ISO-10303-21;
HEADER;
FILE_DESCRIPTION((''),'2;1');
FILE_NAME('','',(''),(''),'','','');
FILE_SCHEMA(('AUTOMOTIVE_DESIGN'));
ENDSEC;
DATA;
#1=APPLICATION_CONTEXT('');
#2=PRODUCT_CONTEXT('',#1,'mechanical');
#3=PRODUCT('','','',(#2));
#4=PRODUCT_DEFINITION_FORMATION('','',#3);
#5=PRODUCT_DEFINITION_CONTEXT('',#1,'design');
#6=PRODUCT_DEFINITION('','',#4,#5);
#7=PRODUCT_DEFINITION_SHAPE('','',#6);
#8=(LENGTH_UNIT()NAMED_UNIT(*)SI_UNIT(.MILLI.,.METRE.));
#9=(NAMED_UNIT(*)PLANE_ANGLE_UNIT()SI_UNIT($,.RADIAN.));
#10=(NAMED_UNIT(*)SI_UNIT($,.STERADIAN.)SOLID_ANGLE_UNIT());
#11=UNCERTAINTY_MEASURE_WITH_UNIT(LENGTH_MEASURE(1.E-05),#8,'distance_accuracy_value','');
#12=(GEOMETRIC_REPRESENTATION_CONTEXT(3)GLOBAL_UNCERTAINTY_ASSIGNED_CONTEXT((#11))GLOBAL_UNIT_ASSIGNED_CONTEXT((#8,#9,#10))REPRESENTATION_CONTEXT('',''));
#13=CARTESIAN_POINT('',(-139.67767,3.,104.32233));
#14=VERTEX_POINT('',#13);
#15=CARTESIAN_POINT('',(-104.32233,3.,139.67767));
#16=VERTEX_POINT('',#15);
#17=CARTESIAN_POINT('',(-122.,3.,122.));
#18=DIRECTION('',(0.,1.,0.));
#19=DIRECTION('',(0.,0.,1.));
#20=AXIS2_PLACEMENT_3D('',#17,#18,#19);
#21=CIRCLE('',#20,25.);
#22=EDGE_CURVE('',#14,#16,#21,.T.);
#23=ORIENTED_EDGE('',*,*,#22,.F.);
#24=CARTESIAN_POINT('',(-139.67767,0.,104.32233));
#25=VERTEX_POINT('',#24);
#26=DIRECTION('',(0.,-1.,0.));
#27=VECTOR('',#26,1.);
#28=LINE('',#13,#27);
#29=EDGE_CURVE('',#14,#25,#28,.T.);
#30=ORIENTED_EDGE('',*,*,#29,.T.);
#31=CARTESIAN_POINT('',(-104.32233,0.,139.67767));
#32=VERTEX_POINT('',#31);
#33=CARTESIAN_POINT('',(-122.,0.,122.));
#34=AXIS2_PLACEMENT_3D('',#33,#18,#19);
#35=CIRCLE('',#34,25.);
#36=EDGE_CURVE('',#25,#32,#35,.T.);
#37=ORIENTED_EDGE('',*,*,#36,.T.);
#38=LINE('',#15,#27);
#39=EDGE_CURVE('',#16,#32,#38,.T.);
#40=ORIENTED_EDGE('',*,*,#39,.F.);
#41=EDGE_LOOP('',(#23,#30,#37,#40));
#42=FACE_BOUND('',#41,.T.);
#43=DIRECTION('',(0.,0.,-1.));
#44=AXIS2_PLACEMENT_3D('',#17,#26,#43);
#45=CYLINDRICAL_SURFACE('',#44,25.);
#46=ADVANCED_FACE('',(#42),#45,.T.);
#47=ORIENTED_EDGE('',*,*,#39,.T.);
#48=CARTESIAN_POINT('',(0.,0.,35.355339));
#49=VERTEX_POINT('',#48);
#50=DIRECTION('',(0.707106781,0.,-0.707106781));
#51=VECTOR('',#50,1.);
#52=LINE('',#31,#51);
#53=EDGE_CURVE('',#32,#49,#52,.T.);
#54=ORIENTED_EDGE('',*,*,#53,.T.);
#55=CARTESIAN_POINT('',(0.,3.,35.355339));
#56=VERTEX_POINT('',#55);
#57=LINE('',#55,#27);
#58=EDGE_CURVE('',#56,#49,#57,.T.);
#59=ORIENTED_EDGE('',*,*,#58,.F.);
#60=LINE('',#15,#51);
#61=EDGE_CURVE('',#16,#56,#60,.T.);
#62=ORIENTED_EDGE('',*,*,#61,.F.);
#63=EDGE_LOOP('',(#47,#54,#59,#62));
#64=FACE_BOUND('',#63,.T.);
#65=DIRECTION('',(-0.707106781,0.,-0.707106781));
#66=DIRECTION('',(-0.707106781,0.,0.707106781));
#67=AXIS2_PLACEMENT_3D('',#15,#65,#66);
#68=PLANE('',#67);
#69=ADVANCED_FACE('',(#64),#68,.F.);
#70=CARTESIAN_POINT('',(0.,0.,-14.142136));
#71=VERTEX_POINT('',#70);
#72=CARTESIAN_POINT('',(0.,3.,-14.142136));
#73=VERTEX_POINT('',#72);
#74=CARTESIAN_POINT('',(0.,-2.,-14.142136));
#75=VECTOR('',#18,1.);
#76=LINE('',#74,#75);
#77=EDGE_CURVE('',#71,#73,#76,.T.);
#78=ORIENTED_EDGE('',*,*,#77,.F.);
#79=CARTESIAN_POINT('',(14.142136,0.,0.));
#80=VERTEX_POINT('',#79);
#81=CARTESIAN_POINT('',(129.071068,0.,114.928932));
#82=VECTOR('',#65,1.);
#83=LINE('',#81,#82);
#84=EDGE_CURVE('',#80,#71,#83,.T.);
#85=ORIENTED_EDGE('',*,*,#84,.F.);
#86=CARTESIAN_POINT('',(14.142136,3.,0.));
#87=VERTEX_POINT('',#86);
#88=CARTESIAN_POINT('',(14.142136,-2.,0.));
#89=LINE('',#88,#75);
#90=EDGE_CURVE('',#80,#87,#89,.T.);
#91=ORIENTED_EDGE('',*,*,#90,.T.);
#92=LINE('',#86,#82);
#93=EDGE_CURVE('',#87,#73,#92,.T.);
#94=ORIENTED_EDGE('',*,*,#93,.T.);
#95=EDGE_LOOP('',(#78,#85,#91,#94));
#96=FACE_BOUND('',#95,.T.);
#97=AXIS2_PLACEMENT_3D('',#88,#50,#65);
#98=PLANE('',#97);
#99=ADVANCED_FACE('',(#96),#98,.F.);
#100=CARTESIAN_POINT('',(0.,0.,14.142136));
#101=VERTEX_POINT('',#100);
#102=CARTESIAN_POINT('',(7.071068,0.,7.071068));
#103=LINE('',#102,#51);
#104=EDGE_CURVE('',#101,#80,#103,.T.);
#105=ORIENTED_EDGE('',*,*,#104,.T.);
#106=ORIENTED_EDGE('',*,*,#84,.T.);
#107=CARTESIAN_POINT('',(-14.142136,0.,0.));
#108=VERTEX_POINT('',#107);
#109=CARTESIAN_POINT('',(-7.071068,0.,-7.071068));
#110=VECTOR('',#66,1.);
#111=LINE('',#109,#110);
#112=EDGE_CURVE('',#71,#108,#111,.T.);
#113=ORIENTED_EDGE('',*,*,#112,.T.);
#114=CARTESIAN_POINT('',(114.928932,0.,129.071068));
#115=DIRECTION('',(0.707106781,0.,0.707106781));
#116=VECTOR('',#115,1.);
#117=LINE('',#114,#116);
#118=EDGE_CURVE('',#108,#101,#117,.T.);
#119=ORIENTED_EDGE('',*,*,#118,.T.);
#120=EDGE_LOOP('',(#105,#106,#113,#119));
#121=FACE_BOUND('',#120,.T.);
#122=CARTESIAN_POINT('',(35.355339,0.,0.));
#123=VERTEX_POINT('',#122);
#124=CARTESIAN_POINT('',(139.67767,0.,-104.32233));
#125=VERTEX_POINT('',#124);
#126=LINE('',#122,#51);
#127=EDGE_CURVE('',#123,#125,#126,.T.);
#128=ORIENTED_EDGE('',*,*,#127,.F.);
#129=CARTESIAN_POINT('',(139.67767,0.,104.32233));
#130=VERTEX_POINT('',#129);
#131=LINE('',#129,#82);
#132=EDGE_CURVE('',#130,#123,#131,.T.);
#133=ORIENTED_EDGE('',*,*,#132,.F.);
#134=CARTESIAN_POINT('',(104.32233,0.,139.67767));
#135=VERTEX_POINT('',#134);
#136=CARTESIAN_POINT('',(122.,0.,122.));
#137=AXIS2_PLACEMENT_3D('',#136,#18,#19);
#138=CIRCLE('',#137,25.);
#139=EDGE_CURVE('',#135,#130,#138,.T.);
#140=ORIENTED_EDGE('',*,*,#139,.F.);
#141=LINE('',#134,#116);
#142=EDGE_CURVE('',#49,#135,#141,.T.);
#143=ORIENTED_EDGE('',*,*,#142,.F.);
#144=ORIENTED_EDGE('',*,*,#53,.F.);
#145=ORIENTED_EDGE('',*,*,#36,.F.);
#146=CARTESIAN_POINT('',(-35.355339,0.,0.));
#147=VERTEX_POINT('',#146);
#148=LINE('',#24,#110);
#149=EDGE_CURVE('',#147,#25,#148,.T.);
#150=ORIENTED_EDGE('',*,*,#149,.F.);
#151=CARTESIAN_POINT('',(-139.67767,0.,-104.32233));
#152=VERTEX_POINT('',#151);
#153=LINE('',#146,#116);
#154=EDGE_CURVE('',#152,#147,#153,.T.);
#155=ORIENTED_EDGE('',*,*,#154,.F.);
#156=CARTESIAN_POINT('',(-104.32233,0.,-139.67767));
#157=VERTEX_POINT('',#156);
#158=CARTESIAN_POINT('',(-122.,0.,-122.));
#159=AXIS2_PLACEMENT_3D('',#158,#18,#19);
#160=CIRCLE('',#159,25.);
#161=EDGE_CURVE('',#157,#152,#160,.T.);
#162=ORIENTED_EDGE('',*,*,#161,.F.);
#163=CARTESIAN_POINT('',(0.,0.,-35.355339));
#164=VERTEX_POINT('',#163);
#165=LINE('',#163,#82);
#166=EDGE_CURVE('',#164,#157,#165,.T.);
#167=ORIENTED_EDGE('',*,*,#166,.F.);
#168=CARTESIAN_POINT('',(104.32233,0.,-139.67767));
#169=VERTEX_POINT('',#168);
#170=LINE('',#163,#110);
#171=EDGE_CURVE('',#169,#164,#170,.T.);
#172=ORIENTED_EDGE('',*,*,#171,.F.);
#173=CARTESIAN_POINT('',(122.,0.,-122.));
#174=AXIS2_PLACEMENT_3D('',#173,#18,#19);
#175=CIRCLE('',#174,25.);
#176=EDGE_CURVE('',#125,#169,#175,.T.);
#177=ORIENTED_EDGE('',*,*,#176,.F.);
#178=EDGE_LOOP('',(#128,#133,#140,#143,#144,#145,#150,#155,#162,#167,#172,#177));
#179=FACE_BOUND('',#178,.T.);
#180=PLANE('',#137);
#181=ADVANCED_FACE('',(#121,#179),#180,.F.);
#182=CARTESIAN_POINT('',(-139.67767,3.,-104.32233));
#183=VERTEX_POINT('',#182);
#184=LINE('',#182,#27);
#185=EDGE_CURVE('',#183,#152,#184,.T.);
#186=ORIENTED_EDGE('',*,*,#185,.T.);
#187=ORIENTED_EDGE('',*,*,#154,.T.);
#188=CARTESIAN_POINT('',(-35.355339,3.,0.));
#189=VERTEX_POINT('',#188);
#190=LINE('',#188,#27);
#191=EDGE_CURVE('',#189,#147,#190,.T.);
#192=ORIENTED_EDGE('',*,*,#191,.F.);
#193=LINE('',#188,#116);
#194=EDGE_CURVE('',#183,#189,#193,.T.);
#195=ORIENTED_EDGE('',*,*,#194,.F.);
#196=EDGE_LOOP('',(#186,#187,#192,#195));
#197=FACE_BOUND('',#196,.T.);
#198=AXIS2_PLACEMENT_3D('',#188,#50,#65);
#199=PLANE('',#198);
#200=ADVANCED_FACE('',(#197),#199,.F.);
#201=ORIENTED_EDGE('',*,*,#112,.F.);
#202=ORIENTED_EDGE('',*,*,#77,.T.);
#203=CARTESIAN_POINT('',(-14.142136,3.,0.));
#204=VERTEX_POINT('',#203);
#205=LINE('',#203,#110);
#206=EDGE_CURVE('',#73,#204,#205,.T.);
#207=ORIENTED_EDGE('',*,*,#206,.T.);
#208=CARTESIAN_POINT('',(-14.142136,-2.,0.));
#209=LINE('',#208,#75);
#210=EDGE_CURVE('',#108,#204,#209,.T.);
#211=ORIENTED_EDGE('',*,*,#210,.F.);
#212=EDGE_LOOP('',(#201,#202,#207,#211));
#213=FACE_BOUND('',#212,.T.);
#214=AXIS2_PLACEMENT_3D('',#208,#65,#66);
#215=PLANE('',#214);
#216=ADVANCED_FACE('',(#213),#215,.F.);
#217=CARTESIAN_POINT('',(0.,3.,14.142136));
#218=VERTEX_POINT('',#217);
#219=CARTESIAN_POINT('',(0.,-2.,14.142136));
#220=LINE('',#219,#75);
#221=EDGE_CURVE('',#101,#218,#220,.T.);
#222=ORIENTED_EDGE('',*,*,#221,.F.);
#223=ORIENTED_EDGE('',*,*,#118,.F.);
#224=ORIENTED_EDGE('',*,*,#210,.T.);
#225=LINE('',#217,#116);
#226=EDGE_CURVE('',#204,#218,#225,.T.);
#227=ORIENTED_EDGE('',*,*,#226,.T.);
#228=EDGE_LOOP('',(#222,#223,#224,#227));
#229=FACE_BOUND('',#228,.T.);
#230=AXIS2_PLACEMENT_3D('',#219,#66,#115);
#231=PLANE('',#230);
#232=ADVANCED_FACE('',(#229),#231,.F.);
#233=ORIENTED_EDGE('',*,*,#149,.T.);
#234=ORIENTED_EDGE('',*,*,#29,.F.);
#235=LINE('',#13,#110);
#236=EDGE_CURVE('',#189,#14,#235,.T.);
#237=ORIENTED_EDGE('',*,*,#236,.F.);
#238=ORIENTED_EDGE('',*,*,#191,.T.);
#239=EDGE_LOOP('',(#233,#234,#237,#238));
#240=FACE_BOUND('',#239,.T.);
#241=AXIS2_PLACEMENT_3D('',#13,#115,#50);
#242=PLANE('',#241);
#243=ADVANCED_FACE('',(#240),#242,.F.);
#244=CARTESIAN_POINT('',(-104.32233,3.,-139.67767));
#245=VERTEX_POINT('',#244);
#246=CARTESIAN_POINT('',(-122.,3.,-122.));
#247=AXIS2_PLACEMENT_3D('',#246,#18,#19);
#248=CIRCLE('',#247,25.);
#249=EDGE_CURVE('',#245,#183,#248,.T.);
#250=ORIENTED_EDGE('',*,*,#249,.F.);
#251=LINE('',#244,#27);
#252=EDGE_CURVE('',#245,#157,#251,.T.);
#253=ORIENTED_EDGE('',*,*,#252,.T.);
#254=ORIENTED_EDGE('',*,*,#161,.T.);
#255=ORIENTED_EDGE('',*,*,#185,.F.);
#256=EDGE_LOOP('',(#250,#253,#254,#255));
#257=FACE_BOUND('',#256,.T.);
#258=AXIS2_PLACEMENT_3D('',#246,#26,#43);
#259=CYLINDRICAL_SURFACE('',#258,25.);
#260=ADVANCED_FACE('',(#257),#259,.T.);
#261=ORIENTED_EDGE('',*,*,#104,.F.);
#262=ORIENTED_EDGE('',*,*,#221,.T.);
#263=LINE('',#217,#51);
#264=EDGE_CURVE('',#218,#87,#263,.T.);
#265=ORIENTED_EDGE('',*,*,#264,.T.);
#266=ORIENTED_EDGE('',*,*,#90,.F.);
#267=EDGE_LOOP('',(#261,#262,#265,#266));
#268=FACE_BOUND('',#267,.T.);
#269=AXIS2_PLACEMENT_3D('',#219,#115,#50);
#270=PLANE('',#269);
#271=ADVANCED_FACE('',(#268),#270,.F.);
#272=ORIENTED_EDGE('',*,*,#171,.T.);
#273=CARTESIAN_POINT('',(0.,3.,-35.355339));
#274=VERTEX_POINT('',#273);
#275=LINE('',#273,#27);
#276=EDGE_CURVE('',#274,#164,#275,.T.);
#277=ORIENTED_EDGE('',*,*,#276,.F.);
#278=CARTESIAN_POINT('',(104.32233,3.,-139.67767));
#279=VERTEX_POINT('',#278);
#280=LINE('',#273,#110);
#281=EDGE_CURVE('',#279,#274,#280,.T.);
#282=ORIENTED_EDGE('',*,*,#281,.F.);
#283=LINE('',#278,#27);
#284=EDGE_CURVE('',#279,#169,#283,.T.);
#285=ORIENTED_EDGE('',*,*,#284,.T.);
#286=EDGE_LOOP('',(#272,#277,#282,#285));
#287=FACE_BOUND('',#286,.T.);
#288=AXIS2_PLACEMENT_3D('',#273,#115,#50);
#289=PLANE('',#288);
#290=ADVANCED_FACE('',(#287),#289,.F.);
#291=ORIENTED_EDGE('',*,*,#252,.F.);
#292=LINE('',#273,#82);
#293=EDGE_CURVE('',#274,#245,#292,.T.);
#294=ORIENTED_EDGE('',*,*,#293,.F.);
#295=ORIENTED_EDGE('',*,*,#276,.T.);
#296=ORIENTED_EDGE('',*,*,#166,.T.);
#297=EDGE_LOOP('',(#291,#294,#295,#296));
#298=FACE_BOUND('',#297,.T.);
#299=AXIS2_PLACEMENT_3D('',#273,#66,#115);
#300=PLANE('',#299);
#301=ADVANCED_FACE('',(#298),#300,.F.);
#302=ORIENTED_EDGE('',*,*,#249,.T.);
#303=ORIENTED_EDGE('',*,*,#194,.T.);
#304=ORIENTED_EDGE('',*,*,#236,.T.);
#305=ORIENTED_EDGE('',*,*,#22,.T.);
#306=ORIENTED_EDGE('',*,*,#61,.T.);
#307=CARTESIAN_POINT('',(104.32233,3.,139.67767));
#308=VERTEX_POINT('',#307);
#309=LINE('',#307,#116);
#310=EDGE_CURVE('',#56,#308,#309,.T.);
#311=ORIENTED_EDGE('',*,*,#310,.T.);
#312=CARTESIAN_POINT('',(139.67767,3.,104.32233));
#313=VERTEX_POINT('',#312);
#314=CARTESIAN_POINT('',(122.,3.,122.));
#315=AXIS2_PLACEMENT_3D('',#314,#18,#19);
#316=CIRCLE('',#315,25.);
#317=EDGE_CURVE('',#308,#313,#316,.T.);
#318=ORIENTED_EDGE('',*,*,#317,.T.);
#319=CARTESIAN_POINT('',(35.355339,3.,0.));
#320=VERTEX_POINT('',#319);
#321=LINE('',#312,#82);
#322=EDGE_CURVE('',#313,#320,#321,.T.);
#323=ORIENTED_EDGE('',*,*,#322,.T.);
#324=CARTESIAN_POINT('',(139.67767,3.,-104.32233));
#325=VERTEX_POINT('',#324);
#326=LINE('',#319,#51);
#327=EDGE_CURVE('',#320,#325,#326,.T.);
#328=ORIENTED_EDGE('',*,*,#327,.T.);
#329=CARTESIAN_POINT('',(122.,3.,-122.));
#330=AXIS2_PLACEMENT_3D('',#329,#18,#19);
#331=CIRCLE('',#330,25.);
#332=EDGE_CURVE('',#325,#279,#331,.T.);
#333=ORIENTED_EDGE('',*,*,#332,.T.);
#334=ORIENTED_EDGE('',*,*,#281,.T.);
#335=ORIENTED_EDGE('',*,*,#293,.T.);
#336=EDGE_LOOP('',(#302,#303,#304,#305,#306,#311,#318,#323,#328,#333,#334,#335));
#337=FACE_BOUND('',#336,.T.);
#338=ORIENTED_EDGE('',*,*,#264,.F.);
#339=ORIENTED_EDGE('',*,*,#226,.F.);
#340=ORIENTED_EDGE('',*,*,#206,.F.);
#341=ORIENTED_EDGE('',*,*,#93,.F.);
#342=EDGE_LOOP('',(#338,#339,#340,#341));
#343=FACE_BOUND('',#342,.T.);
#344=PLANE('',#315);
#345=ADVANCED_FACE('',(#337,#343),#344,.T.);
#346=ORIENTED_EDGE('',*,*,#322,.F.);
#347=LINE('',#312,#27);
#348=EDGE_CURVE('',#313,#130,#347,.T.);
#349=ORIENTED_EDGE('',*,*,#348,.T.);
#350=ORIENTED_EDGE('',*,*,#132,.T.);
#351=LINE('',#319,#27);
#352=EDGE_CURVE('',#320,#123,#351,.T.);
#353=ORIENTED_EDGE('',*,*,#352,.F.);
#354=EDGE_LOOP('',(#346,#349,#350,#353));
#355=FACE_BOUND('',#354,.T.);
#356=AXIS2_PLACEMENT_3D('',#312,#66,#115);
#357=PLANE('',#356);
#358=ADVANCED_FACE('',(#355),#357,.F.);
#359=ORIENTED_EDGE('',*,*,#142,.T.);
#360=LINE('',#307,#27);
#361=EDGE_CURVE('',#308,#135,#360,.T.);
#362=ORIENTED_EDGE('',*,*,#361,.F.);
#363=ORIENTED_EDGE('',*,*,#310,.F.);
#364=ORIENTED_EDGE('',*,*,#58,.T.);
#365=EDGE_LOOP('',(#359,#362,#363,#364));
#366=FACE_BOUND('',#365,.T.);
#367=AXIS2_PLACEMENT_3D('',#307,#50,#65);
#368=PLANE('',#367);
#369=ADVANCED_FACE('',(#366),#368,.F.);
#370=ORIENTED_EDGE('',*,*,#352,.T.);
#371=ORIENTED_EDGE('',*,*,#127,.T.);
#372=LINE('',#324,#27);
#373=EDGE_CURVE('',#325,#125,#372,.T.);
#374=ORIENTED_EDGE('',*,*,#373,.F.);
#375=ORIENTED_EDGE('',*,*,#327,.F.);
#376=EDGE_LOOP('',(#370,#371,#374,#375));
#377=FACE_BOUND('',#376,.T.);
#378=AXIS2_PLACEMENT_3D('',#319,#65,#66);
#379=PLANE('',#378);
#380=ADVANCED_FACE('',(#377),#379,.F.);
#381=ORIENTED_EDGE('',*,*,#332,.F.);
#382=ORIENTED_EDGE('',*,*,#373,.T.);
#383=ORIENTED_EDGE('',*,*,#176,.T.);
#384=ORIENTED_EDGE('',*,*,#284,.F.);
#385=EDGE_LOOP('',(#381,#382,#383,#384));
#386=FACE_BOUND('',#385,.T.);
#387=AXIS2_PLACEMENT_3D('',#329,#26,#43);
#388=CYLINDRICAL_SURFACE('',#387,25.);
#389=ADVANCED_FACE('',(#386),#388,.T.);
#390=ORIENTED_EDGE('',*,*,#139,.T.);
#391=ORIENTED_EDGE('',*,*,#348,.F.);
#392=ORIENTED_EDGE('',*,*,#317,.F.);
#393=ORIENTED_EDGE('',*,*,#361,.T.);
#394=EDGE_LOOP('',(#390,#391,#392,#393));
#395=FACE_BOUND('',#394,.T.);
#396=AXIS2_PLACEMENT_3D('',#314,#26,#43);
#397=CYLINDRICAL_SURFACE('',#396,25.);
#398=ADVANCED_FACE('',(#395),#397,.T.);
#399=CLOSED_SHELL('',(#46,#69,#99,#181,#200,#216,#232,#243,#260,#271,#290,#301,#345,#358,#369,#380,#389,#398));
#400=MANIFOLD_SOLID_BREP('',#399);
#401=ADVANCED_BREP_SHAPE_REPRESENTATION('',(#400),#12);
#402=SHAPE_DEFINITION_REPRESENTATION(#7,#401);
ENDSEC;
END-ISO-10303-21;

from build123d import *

# Parameters (mm, degrees)
BOSS_EXTRUDE2_DEPTH = 3
CUT_EXTRUDE2_DEPTH  = 5


with BuildPart() as part:
    # Sketch2 → Boss-Extrude2 (new body)
    with BuildSketch(Plane(origin=(0, 0, 0), x_dir=(1, 0, 0), z_dir=(0, 1, 0))):
        with BuildLine():
            Line((104.32233047, -139.67766953), (0, -35.355339059))
            Line((0, -35.355339059), (-104.32233047, -139.67766953))
            ThreePointArc((-104.32233047, -139.67766953), (-139.67766953, -139.67766953), (-139.67766953, -104.32233047))
            Line((-139.67766953, -104.32233047), (-35.355339059, 0))
            Line((-35.355339059, 0), (-139.67766953, 104.32233047))
            ThreePointArc((-139.67766953, 104.32233047), (-139.67766953, 139.67766953), (-104.32233047, 139.67766953))
            Line((-104.32233047, 139.67766953), (0, 35.355339059))
            Line((0, 35.355339059), (104.32233047, 139.67766953))
            ThreePointArc((104.32233047, 139.67766953), (139.67766953, 139.67766953), (139.67766953, 104.32233047))
            Line((139.67766953, 104.32233047), (35.355339059, 0))
            Line((35.355339059, 0), (139.67766953, -104.32233047))
            ThreePointArc((139.67766953, -104.32233047), (139.67766953, -139.67766953), (104.32233047, -139.67766953))
        make_face()
    extrude(amount=BOSS_EXTRUDE2_DEPTH)

    # Sketch6 → Cut-Extrude2 (cut)
    with BuildSketch(Plane(origin=(0, 3, 0), x_dir=(1, 0, 0), z_dir=(0, 1, 0))):
        Polygon((0, -14.142135624), (14.142135624, 0), (0, 14.142135624), (-14.142135624, 0), align=None)
    extrude(amount=-CUT_EXTRUDE2_DEPTH, mode=Mode.SUBTRACT)


solid = part.part
